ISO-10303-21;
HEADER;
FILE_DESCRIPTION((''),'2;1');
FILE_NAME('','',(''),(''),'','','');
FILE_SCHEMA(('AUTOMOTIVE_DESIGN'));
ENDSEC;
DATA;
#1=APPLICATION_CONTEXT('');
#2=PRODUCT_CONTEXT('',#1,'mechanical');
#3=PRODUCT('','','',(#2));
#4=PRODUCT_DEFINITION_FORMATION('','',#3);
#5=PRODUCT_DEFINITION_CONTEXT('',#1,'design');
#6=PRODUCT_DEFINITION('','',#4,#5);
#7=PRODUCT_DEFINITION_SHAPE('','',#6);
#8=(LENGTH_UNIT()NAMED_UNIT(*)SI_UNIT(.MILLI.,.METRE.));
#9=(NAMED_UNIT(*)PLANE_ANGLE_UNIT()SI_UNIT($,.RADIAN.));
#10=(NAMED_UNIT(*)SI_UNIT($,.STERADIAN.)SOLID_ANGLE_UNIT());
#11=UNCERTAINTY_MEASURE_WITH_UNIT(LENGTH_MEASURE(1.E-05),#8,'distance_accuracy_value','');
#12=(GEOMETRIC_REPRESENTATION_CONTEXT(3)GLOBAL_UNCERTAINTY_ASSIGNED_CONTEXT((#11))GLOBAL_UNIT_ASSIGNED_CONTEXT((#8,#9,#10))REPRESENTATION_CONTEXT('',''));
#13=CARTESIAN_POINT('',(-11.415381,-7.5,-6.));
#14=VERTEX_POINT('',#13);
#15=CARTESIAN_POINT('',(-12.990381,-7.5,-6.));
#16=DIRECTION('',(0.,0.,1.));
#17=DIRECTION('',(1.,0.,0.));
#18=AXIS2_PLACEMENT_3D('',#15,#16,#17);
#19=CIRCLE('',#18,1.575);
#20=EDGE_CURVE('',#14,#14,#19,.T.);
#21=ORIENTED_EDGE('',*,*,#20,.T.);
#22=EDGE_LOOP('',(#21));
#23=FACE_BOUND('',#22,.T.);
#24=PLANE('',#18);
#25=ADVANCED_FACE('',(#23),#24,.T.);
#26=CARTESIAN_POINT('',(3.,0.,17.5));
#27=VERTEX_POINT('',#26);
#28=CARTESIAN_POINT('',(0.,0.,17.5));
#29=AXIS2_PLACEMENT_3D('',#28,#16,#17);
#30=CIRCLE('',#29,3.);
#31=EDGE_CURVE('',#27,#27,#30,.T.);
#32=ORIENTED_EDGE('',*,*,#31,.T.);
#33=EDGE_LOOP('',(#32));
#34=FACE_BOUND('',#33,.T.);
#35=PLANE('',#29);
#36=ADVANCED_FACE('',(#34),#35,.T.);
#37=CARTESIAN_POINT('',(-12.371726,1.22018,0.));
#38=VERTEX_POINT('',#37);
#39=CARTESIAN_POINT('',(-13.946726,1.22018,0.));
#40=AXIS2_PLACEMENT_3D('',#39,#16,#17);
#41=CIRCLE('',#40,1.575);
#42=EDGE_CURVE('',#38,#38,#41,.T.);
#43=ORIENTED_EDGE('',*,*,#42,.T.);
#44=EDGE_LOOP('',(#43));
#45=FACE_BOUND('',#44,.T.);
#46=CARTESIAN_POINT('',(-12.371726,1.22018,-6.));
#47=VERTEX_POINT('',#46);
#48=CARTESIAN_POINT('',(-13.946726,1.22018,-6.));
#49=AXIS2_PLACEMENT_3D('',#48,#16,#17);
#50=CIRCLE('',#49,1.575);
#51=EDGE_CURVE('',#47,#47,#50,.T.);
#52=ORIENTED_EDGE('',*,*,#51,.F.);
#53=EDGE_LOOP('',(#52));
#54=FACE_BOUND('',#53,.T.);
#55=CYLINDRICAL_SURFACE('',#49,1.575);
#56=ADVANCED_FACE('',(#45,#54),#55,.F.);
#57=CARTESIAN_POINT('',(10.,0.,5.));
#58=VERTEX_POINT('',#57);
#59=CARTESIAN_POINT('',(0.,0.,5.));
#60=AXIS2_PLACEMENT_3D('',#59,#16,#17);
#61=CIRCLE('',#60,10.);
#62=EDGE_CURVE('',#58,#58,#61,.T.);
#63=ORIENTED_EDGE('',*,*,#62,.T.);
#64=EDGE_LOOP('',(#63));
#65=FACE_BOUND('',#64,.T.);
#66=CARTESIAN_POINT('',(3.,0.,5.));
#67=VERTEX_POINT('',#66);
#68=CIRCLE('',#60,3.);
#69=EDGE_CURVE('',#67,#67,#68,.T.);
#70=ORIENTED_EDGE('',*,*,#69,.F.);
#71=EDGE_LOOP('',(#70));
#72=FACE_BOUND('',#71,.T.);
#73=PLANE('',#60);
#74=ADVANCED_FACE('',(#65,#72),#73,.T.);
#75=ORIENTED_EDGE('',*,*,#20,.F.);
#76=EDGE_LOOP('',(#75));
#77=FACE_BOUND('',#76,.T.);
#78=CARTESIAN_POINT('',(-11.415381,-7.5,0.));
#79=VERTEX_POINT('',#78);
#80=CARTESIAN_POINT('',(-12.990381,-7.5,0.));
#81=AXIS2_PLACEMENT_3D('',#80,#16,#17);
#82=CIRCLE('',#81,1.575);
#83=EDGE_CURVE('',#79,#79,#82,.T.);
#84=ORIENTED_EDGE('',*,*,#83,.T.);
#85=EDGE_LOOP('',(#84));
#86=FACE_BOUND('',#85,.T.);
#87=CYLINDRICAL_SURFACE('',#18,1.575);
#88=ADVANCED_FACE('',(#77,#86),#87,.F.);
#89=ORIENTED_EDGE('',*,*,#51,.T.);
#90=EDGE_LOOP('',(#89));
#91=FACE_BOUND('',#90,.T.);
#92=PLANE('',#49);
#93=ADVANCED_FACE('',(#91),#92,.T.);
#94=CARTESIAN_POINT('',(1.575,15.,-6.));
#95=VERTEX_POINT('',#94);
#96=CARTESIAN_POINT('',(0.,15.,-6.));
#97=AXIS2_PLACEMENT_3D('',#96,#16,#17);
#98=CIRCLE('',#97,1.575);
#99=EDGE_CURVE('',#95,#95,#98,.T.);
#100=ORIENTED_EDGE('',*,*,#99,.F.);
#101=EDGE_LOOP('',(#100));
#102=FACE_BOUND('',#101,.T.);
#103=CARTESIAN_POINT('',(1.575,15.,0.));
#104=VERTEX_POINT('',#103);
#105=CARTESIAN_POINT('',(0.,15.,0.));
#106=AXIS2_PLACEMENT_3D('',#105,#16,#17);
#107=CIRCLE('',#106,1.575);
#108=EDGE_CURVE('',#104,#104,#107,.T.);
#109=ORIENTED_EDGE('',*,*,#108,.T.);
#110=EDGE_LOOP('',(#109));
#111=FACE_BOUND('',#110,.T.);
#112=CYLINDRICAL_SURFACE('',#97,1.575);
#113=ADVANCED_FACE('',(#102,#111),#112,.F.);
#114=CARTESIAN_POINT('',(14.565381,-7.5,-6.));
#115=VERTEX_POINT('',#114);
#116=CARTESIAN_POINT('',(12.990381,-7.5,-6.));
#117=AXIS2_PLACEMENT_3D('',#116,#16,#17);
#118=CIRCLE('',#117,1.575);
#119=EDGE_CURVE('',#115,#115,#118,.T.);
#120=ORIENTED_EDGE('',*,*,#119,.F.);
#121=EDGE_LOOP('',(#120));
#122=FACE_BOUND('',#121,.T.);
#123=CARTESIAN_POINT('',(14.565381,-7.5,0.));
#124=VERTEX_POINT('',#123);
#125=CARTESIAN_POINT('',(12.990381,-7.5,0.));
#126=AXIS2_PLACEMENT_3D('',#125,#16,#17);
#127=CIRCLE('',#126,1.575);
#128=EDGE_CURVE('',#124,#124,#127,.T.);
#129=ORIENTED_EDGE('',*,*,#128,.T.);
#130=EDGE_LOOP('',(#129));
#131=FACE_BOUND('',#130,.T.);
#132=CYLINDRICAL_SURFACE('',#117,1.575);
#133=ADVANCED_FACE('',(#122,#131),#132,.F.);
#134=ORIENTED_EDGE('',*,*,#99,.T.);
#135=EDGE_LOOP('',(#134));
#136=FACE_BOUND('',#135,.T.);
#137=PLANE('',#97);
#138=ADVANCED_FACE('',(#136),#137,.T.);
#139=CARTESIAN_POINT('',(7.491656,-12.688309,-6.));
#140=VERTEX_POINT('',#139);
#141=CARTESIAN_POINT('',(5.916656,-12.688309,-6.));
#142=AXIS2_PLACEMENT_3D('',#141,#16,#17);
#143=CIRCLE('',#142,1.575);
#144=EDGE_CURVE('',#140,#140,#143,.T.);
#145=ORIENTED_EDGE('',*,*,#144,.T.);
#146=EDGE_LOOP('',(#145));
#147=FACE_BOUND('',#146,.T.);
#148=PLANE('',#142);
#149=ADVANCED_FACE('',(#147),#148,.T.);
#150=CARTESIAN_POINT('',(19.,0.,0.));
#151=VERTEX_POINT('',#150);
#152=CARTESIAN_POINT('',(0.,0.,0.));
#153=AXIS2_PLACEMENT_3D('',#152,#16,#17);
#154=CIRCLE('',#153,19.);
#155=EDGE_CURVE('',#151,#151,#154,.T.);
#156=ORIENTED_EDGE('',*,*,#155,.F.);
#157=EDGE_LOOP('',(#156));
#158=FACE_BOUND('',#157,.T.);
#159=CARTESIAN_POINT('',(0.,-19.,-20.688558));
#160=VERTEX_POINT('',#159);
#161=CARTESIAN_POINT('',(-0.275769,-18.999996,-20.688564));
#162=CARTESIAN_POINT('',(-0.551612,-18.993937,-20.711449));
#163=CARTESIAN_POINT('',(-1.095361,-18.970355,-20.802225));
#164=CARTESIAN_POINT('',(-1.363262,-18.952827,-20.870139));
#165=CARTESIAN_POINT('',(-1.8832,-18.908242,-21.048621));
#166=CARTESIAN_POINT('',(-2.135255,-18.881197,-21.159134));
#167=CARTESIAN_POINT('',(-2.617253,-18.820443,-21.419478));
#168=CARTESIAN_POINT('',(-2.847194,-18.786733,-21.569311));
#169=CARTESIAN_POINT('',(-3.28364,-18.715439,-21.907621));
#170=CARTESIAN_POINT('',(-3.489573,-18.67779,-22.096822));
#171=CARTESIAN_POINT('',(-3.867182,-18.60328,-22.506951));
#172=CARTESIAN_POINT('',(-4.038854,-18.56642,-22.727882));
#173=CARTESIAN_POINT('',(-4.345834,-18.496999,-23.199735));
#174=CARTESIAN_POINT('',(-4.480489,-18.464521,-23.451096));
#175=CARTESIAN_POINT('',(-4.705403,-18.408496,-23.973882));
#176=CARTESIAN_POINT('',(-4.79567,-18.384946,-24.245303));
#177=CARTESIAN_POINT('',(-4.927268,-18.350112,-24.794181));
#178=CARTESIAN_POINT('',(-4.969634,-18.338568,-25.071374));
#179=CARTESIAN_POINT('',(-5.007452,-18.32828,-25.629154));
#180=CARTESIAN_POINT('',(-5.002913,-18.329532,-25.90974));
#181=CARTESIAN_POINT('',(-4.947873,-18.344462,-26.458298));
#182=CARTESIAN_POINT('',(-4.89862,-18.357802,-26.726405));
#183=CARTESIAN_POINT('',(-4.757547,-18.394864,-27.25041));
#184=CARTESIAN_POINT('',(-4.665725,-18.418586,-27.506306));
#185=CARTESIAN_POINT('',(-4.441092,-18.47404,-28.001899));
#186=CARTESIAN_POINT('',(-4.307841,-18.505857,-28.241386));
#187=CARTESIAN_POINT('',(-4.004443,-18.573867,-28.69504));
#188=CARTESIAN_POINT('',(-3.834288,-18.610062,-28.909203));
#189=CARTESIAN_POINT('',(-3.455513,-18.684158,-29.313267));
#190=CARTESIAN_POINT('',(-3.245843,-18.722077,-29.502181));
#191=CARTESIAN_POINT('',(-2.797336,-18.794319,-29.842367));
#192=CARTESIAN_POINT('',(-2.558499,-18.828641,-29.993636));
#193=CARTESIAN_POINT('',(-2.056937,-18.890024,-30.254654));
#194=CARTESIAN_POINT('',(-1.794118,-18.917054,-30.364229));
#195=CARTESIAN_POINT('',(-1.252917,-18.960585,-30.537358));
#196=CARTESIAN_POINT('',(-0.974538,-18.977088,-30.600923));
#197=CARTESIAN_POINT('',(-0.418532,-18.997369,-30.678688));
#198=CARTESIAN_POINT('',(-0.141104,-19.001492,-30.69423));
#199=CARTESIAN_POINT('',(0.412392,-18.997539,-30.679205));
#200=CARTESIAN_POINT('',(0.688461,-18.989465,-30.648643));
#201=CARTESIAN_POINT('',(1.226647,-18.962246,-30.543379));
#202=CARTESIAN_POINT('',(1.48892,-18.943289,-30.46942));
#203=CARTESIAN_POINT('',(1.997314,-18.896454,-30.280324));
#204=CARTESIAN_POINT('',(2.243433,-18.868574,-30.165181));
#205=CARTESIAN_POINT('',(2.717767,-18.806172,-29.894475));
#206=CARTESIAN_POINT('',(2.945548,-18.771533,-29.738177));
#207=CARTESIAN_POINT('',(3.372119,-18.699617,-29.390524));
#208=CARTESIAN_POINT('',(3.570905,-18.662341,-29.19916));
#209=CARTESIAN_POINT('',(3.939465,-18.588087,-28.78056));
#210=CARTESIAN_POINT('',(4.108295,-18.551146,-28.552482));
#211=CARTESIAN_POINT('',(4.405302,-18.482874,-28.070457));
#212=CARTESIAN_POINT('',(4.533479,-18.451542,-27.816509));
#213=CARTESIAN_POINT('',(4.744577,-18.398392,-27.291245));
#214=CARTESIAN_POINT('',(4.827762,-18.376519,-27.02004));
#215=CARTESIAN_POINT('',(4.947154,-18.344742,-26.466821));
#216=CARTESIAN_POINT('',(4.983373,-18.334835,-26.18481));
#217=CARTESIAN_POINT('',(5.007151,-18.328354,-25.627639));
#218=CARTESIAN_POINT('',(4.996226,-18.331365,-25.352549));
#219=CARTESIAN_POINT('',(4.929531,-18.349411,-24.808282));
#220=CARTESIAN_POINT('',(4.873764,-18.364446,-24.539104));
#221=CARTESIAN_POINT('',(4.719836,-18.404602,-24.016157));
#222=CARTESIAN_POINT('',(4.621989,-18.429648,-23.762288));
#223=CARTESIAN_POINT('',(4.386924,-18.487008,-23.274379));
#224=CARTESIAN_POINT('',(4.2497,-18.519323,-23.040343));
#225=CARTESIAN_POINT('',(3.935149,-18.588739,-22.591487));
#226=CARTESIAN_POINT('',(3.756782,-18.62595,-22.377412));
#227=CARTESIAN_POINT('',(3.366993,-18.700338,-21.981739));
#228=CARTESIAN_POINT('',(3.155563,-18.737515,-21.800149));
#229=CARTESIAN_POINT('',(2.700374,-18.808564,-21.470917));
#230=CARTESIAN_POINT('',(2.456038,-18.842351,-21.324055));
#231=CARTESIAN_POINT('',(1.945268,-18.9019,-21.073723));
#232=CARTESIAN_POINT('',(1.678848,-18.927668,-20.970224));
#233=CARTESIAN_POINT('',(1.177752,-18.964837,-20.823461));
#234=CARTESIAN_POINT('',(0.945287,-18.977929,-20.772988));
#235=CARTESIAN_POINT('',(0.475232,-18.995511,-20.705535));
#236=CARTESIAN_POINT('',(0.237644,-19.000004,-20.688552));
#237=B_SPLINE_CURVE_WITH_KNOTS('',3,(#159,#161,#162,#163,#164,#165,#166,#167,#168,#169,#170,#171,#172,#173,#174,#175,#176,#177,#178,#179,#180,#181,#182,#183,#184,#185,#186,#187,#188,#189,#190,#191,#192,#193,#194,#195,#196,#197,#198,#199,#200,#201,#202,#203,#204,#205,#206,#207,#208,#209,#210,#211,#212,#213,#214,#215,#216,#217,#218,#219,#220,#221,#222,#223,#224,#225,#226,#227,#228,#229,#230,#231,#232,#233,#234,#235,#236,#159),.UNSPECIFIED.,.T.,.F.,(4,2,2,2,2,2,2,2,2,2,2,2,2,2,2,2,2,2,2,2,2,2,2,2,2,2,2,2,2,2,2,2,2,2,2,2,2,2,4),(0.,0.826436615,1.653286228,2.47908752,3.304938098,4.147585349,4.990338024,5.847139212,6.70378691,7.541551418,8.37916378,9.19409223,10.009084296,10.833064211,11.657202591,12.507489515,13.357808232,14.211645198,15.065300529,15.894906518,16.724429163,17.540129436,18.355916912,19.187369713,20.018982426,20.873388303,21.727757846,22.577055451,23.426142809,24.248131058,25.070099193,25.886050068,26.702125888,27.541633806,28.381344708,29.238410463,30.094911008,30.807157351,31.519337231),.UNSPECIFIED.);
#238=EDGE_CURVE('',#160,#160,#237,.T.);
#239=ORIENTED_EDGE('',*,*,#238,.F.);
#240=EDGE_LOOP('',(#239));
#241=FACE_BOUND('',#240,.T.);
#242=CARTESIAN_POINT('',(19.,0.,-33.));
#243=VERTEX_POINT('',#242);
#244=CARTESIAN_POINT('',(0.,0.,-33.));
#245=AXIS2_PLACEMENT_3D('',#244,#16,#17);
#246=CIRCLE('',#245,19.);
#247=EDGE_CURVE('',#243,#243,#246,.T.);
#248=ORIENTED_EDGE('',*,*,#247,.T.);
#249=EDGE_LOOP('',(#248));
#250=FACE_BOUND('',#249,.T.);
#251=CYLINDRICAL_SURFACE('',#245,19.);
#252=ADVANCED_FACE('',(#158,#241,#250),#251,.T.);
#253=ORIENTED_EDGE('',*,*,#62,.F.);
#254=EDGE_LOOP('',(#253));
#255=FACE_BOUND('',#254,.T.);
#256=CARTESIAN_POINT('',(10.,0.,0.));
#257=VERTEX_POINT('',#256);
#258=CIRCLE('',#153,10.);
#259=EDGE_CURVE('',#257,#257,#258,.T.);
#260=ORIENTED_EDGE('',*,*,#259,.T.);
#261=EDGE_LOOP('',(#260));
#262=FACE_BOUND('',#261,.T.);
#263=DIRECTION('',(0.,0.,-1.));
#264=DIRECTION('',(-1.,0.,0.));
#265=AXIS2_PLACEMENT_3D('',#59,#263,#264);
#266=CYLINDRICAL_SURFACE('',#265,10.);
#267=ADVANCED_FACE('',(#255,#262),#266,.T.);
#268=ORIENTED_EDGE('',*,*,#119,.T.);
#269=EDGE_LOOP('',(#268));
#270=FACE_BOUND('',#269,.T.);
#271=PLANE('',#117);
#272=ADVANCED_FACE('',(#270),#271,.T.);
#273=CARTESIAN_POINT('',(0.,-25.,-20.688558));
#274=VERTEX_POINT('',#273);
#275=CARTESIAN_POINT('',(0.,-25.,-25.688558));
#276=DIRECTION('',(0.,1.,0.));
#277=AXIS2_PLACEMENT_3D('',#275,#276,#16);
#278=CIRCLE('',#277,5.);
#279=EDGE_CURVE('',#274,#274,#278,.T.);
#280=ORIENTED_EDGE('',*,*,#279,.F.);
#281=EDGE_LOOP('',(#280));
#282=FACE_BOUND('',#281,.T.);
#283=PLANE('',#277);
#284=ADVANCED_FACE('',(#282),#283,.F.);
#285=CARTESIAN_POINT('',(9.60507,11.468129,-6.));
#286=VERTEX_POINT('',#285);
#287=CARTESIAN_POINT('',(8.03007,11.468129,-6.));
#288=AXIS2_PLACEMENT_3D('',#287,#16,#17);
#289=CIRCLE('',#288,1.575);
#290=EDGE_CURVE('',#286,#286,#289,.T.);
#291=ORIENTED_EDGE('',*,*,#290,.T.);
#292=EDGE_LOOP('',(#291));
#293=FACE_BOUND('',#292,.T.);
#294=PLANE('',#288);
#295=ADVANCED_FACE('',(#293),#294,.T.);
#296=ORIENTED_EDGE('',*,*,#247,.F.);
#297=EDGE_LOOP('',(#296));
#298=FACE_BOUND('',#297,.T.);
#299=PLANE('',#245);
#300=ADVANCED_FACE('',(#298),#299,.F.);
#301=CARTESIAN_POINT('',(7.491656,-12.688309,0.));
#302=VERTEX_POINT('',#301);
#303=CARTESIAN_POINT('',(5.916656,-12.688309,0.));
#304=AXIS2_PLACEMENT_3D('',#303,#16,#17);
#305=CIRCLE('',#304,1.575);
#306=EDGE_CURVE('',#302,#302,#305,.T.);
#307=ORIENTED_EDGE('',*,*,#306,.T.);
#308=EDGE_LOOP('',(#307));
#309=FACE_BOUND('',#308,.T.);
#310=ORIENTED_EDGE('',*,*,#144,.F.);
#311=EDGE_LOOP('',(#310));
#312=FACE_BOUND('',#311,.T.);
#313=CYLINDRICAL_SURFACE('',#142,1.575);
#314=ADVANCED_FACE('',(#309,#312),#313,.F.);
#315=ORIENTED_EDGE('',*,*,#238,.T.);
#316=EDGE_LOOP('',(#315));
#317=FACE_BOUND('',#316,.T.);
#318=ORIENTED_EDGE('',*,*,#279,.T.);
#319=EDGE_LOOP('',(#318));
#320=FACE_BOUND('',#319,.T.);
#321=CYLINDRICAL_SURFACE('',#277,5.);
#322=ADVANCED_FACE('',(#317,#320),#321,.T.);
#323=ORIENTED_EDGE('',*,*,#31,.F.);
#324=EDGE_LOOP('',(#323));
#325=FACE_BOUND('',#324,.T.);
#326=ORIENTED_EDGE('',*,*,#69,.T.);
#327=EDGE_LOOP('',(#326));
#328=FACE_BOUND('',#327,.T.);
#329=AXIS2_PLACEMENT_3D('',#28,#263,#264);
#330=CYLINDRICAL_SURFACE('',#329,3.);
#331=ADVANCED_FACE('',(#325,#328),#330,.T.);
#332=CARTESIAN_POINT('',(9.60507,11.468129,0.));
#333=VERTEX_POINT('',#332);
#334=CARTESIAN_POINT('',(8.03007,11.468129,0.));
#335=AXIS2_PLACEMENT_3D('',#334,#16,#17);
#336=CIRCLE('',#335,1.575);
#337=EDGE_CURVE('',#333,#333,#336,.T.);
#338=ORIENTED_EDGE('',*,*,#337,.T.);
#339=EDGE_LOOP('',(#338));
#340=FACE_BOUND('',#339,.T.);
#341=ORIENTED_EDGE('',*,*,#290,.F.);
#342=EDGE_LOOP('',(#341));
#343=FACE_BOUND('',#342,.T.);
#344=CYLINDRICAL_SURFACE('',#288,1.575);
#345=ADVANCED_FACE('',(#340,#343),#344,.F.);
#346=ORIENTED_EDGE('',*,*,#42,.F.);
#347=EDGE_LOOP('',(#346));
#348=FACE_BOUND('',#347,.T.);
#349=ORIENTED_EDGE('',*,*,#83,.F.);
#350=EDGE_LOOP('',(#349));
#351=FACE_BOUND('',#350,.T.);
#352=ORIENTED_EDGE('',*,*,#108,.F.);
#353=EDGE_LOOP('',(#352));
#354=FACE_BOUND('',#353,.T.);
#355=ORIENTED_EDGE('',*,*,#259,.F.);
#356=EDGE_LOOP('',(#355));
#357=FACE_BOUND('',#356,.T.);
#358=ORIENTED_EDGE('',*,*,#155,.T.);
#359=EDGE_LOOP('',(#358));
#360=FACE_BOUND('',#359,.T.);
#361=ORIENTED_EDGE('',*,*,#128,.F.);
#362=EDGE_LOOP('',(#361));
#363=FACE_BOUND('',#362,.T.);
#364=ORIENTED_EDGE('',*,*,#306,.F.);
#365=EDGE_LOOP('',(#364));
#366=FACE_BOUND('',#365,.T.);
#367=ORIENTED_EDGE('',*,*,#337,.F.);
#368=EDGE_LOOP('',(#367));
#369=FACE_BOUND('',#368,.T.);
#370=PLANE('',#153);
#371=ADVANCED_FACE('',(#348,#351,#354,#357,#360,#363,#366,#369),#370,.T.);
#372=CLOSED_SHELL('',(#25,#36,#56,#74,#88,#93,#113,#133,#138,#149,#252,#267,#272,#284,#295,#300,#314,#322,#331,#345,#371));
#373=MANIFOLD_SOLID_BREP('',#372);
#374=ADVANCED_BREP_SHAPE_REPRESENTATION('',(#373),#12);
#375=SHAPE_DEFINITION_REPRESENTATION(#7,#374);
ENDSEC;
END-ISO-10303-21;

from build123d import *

# Parameters (mm, degrees)
SKETCH2_R           = 19
BOSS_EXTRUDE1_DEPTH = 33
SKETCH2_3_R         = 10
SKETCH2_3_R_2       = 3
BOSS_EXTRUDE2_DEPTH = 5
SKETCH2_4_R         = 3
BOSS_EXTRUDE3_DEPTH = 17.5
SKETCH4_R           = 5
BOSS_EXTRUDE4_DEPTH = 25
SKETCH5_R           = 1.575
CUT_EXTRUDE1_DEPTH  = 6


with BuildPart() as part:
    # Sketch2 → Boss-Extrude1 (new body)
    with BuildSketch(Plane.XY):
        Circle(SKETCH2_R)
    extrude(amount=-BOSS_EXTRUDE1_DEPTH)

    # Sketch2<3> → Boss-Extrude2 (add)
    with BuildSketch(Plane.XY):
        Circle(SKETCH2_3_R)
        Circle(SKETCH2_3_R_2, mode=Mode.SUBTRACT)
    extrude(amount=BOSS_EXTRUDE2_DEPTH)

    # Sketch2<4> → Boss-Extrude3 (add)
    with BuildSketch(Plane.XY):
        Circle(SKETCH2_4_R)
    extrude(amount=BOSS_EXTRUDE3_DEPTH)

    # Sketch4 → Boss-Extrude4 (add)
    with BuildSketch(Plane(origin=(0, 0, 0), x_dir=(1, 0, 0), z_dir=(0, 1, 0))):
        with Locations((0, 25.688557627)):
            Circle(SKETCH4_R)
    extrude(amount=-BOSS_EXTRUDE4_DEPTH)

    # Sketch5 → Cut-Extrude1 (cut)
    with BuildSketch(Plane.XY):
        with Locations((0, 15)):
            Circle(SKETCH5_R)
        with Locations((12.990381057, -7.5)):
            Circle(SKETCH5_R)
        with Locations((-12.990381057, -7.5)):
            Circle(SKETCH5_R)
        with Locations((8.030070109, 11.46812862)):
            Circle(SKETCH5_R)
        with Locations((5.916655664, -12.688309019)):
            Circle(SKETCH5_R)
        with Locations((-13.946725773, 1.220180398)):
            Circle(SKETCH5_R)
    extrude(amount=-CUT_EXTRUDE1_DEPTH, mode=Mode.SUBTRACT)


solid = part.part
